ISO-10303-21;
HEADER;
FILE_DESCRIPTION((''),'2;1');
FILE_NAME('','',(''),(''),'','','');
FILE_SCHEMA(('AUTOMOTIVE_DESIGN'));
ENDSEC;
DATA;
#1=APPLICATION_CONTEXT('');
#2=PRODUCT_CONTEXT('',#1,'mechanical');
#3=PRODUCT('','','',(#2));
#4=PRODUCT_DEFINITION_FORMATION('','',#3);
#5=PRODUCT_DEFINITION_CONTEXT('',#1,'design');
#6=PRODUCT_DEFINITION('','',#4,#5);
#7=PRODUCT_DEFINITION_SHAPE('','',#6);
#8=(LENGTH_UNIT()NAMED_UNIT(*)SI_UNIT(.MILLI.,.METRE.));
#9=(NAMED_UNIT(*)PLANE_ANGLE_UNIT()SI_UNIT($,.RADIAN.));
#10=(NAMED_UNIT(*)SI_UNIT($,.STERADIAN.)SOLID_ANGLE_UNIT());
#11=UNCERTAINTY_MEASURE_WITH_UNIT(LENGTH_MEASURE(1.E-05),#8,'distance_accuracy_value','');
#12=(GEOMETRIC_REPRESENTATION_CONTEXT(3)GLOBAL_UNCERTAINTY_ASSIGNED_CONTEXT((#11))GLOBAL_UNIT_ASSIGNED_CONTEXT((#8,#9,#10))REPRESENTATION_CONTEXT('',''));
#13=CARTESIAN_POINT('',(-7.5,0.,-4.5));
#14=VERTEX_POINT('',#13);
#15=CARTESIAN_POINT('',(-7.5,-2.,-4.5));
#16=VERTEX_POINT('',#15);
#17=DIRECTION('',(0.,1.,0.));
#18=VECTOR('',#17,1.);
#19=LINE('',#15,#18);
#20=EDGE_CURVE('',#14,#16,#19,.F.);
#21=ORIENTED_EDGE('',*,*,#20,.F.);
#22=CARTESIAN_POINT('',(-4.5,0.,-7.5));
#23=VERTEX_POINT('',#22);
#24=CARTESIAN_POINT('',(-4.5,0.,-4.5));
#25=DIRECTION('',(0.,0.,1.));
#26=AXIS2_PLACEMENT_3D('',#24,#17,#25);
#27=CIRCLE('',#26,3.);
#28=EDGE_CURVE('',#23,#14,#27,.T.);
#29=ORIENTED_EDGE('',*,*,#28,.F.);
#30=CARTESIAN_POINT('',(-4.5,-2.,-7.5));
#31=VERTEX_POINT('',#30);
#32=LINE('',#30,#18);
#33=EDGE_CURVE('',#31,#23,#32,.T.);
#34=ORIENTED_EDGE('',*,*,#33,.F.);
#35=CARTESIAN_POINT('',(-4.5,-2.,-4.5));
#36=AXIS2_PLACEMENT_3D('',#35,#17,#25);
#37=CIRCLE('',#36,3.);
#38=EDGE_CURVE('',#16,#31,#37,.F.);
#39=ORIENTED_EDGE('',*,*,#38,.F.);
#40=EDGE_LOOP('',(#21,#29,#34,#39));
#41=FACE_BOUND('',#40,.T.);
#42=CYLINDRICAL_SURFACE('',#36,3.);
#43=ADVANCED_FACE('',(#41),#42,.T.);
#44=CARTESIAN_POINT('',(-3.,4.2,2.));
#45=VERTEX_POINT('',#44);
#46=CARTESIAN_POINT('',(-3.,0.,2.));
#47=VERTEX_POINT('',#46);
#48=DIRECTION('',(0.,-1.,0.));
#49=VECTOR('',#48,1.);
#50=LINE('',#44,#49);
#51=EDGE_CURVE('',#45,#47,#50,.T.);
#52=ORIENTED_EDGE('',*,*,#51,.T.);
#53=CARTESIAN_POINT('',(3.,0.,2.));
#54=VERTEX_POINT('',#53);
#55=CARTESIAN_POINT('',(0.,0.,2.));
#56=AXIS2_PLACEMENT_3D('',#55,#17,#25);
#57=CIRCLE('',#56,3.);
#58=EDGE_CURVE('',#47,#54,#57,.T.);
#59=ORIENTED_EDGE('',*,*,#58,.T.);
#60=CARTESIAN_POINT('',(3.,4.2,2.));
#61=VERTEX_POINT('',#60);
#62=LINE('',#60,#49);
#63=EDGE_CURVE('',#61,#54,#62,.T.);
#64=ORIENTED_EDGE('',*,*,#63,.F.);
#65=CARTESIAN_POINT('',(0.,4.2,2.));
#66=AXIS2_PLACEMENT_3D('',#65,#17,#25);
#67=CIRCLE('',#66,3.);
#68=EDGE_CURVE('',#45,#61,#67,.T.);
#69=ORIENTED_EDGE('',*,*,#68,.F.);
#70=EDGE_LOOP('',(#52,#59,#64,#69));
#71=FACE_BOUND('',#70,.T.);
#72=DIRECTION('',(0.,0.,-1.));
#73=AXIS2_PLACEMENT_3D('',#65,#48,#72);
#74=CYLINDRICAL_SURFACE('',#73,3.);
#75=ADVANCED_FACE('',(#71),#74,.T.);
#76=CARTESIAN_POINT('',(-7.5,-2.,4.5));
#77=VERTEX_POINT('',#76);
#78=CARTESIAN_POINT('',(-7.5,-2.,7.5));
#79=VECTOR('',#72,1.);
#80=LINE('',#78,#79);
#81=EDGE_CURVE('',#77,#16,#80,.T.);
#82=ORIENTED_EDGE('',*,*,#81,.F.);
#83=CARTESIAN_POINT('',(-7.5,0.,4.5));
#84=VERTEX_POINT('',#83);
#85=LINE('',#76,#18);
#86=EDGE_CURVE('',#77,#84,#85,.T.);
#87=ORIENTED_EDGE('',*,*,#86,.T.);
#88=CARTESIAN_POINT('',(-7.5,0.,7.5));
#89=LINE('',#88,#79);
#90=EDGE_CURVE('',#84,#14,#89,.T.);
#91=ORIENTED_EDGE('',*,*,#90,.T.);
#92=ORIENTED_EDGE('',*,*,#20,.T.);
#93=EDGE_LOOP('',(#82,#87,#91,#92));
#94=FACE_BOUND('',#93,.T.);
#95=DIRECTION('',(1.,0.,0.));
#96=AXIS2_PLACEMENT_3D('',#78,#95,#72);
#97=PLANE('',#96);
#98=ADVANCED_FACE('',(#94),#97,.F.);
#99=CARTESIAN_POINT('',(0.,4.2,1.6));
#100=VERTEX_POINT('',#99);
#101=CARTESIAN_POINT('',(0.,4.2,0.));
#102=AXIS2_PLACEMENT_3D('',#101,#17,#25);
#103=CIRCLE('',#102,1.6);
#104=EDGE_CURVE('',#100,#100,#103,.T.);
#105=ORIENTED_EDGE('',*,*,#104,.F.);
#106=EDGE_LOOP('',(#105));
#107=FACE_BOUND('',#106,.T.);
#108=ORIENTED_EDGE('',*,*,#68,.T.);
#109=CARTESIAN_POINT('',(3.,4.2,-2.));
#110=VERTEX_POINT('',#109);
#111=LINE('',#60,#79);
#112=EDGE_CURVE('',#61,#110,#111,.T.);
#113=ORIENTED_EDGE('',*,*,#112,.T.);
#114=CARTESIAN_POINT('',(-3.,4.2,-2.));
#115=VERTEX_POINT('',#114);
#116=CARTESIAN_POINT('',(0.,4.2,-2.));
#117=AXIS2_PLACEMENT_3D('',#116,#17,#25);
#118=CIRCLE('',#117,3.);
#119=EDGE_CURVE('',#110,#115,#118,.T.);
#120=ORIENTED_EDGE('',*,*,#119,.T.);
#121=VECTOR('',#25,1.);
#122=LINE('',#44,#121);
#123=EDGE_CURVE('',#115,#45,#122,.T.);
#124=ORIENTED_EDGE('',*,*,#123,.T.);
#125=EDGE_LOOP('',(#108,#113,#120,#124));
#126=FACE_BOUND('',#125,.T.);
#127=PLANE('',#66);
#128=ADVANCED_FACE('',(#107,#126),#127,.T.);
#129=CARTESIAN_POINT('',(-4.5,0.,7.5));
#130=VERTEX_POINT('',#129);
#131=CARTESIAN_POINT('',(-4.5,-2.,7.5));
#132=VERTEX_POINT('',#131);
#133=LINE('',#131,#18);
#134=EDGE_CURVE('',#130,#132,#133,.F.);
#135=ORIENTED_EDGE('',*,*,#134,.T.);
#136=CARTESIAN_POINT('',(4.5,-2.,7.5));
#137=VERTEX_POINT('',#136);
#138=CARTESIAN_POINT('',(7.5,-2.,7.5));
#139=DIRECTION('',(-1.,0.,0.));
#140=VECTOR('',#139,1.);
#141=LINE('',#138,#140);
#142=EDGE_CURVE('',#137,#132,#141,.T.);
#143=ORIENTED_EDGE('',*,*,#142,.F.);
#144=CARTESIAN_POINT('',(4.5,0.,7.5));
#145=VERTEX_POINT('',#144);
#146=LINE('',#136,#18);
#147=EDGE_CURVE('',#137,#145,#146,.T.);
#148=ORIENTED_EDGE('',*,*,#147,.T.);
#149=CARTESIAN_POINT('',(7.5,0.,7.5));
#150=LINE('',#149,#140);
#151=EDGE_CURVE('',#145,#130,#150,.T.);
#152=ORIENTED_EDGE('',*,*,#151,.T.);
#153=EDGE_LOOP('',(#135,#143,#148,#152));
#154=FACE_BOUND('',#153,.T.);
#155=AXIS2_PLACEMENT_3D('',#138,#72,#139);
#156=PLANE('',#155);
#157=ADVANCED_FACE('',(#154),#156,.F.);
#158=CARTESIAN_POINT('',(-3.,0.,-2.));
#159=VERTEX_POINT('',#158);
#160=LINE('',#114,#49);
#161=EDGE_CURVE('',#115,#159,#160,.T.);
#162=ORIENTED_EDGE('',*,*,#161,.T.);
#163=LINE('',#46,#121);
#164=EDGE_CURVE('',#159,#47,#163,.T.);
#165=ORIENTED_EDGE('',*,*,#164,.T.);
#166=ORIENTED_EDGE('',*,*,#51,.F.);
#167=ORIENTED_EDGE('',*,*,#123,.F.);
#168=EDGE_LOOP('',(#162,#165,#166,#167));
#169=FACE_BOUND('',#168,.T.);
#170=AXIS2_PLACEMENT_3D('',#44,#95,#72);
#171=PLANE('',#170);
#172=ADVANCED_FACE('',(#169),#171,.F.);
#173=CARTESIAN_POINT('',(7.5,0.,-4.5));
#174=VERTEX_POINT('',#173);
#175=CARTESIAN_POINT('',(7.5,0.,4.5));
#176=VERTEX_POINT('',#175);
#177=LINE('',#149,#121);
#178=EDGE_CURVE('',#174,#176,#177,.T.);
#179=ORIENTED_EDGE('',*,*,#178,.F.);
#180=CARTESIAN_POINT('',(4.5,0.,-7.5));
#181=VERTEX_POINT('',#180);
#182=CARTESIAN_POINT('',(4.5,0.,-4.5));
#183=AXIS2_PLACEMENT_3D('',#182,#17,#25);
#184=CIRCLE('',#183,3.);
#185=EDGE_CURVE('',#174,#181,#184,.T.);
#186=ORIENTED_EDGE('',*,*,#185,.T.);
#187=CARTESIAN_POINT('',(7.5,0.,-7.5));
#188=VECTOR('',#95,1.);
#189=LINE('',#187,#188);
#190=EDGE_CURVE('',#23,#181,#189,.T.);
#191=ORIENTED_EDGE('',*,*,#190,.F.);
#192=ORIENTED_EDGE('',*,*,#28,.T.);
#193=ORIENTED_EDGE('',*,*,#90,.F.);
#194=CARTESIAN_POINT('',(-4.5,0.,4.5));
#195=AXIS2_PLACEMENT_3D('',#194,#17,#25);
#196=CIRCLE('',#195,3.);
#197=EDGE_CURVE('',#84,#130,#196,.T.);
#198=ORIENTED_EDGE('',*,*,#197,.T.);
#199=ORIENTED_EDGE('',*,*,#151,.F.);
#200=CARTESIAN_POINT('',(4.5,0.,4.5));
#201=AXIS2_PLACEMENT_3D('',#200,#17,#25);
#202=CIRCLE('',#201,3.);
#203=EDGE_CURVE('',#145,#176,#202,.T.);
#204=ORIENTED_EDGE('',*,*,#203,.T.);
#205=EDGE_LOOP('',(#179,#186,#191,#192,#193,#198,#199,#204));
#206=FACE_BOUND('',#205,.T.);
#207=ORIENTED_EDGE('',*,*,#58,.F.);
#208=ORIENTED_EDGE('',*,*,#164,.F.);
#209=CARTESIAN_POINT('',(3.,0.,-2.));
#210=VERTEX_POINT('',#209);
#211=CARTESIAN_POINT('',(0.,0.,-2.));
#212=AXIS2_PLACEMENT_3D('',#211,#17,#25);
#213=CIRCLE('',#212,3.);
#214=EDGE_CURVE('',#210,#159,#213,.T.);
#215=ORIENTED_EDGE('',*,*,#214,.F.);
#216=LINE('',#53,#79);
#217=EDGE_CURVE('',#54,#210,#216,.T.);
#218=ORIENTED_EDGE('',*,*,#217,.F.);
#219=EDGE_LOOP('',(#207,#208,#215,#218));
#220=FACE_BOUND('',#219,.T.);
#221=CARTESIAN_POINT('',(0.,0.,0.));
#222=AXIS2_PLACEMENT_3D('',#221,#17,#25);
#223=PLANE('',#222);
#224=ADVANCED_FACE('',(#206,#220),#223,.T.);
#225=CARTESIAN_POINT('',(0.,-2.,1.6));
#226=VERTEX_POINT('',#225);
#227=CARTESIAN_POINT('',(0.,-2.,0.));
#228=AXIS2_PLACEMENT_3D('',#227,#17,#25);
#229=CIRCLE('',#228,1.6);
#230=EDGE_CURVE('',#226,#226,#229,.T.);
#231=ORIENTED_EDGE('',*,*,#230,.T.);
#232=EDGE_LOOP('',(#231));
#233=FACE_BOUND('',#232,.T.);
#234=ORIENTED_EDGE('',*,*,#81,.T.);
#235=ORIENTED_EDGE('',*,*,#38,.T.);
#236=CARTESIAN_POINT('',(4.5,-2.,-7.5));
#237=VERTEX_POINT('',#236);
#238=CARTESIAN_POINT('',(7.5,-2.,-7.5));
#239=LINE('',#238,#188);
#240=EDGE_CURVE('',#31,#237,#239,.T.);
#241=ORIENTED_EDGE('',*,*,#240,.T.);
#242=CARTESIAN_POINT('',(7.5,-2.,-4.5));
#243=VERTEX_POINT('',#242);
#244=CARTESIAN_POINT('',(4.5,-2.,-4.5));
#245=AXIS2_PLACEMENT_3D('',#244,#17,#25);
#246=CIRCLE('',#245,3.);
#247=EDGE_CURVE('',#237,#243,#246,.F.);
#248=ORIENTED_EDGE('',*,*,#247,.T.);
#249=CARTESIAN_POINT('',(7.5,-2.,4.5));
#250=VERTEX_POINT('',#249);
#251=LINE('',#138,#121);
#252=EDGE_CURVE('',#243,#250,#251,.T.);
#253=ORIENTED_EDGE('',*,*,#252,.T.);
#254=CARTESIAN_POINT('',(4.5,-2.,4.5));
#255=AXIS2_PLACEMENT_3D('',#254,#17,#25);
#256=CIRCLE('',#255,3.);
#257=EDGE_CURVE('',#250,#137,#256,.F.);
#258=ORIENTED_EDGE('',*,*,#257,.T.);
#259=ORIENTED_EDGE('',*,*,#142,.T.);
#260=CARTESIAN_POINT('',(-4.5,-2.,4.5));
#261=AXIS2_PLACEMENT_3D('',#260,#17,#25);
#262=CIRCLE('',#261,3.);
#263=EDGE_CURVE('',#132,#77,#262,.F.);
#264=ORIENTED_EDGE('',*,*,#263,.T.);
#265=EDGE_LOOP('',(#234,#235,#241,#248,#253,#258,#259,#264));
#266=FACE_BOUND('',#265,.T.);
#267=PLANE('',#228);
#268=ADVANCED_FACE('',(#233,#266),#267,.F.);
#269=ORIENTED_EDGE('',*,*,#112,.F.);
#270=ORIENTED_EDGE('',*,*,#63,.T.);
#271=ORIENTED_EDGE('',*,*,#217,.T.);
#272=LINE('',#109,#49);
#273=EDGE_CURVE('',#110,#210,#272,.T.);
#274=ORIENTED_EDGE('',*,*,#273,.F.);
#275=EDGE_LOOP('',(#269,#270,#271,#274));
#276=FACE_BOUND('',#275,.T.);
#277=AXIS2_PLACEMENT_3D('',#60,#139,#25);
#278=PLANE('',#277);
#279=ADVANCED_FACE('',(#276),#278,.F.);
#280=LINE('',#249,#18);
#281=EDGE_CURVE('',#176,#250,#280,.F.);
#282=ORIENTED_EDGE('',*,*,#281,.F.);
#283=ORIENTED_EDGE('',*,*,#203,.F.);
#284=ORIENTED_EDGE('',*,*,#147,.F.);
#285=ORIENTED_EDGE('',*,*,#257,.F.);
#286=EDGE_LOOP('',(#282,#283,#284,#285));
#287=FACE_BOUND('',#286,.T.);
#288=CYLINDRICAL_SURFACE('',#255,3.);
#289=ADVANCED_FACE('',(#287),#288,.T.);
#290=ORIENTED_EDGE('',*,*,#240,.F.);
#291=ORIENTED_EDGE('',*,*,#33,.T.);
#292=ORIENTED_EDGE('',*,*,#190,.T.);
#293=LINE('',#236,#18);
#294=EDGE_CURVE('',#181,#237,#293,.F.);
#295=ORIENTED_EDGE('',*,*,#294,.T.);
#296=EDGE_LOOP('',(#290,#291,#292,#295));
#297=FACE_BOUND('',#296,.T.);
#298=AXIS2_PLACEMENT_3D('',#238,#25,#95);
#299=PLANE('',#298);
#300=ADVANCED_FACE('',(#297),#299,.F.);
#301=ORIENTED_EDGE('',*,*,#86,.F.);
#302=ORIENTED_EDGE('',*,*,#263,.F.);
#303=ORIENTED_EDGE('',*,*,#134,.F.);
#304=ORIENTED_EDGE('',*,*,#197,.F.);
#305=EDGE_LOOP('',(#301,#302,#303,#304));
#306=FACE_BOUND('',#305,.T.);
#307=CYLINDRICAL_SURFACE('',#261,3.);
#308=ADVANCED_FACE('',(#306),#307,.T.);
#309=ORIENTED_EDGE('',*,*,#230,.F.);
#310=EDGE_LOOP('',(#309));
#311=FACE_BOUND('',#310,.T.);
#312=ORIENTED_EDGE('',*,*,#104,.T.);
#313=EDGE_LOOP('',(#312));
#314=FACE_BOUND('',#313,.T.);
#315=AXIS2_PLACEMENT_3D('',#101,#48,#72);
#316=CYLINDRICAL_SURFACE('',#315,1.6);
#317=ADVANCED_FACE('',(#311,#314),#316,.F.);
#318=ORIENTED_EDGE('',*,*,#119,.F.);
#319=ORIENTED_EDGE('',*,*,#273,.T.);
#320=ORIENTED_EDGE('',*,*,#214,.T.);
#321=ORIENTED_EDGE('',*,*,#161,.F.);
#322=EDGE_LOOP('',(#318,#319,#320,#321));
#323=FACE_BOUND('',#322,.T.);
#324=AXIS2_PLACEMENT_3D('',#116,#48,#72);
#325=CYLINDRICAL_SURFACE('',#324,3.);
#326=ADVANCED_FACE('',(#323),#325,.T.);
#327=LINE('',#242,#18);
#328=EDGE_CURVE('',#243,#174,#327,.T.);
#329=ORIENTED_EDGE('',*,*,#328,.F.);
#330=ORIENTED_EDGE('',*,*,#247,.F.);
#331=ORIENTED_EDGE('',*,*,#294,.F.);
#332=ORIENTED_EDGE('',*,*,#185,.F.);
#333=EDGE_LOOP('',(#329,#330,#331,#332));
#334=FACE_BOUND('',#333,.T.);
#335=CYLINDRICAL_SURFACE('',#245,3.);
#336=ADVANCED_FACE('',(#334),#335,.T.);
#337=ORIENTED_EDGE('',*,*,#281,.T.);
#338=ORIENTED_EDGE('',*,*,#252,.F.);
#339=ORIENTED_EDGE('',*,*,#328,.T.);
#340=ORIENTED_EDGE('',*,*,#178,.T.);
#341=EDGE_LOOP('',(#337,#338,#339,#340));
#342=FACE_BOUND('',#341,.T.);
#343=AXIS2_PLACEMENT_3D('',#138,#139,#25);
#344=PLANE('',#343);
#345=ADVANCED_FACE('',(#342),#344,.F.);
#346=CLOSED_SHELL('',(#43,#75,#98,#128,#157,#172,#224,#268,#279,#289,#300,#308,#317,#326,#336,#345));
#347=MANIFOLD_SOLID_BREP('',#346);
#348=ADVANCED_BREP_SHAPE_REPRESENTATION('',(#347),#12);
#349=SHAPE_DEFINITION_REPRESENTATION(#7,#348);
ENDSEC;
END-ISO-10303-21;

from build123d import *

# Parameters (mm, degrees)
SKETCH1_R               = 1.6
BOSS_EXTRUDE1_DEPTH     = 4.2
SKETCH2_W               = 15
SKETCH2_H               = 15
BOSS_EXTRUDE2_DEPTH     = 2
FILLET1_R               = 3
SKETCH3_R               = 1.6
CUT_EXTRUDE1_DEPTH      = 5.2
CUT_EXTRUDE1_DEPTH_BACK = 3


with BuildPart() as part:
    # Sketch1 → Boss-Extrude1 (new body)
    with BuildSketch(Plane(origin=(0, 0, 0), x_dir=(1, 0, 0), z_dir=(0, 1, 0))):
        with BuildLine():
            Line((-3, -2), (-3, 2))
            ThreePointArc((-3, 2), (0, 5), (3, 2))
            Line((3, 2), (3, -2))
            ThreePointArc((3, -2), (0, -5), (-3, -2))
        make_face()
        Circle(SKETCH1_R, mode=Mode.SUBTRACT)
    extrude(amount=BOSS_EXTRUDE1_DEPTH)

    # Sketch2 → Boss-Extrude2 (add)
    with BuildSketch(Plane.XZ):
        Rectangle(SKETCH2_W, SKETCH2_H)
    extrude(amount=BOSS_EXTRUDE2_DEPTH)

    # Fillet1
    fillet1_edges = [part.edges().sort_by_distance(p)[0] for p in [
        (-7.5, -1, 7.5),
        (-7.5, -1, -7.5),
        (7.5, -1, -7.5),
        (7.5, -1, 7.5),
    ]]
    fillet(fillet1_edges, radius=FILLET1_R)

    # Sketch3 → Cut-Extrude1 (cut, two sides)
    with BuildSketch(Plane(origin=(0, 0, 0), x_dir=(1, 0, 0), z_dir=(0, 1, 0))) as cut_extrude1_sk:
        Circle(SKETCH3_R)
    extrude(amount=CUT_EXTRUDE1_DEPTH, mode=Mode.SUBTRACT)
    extrude(cut_extrude1_sk.sketch, amount=-CUT_EXTRUDE1_DEPTH_BACK, mode=Mode.SUBTRACT)


solid = part.part
